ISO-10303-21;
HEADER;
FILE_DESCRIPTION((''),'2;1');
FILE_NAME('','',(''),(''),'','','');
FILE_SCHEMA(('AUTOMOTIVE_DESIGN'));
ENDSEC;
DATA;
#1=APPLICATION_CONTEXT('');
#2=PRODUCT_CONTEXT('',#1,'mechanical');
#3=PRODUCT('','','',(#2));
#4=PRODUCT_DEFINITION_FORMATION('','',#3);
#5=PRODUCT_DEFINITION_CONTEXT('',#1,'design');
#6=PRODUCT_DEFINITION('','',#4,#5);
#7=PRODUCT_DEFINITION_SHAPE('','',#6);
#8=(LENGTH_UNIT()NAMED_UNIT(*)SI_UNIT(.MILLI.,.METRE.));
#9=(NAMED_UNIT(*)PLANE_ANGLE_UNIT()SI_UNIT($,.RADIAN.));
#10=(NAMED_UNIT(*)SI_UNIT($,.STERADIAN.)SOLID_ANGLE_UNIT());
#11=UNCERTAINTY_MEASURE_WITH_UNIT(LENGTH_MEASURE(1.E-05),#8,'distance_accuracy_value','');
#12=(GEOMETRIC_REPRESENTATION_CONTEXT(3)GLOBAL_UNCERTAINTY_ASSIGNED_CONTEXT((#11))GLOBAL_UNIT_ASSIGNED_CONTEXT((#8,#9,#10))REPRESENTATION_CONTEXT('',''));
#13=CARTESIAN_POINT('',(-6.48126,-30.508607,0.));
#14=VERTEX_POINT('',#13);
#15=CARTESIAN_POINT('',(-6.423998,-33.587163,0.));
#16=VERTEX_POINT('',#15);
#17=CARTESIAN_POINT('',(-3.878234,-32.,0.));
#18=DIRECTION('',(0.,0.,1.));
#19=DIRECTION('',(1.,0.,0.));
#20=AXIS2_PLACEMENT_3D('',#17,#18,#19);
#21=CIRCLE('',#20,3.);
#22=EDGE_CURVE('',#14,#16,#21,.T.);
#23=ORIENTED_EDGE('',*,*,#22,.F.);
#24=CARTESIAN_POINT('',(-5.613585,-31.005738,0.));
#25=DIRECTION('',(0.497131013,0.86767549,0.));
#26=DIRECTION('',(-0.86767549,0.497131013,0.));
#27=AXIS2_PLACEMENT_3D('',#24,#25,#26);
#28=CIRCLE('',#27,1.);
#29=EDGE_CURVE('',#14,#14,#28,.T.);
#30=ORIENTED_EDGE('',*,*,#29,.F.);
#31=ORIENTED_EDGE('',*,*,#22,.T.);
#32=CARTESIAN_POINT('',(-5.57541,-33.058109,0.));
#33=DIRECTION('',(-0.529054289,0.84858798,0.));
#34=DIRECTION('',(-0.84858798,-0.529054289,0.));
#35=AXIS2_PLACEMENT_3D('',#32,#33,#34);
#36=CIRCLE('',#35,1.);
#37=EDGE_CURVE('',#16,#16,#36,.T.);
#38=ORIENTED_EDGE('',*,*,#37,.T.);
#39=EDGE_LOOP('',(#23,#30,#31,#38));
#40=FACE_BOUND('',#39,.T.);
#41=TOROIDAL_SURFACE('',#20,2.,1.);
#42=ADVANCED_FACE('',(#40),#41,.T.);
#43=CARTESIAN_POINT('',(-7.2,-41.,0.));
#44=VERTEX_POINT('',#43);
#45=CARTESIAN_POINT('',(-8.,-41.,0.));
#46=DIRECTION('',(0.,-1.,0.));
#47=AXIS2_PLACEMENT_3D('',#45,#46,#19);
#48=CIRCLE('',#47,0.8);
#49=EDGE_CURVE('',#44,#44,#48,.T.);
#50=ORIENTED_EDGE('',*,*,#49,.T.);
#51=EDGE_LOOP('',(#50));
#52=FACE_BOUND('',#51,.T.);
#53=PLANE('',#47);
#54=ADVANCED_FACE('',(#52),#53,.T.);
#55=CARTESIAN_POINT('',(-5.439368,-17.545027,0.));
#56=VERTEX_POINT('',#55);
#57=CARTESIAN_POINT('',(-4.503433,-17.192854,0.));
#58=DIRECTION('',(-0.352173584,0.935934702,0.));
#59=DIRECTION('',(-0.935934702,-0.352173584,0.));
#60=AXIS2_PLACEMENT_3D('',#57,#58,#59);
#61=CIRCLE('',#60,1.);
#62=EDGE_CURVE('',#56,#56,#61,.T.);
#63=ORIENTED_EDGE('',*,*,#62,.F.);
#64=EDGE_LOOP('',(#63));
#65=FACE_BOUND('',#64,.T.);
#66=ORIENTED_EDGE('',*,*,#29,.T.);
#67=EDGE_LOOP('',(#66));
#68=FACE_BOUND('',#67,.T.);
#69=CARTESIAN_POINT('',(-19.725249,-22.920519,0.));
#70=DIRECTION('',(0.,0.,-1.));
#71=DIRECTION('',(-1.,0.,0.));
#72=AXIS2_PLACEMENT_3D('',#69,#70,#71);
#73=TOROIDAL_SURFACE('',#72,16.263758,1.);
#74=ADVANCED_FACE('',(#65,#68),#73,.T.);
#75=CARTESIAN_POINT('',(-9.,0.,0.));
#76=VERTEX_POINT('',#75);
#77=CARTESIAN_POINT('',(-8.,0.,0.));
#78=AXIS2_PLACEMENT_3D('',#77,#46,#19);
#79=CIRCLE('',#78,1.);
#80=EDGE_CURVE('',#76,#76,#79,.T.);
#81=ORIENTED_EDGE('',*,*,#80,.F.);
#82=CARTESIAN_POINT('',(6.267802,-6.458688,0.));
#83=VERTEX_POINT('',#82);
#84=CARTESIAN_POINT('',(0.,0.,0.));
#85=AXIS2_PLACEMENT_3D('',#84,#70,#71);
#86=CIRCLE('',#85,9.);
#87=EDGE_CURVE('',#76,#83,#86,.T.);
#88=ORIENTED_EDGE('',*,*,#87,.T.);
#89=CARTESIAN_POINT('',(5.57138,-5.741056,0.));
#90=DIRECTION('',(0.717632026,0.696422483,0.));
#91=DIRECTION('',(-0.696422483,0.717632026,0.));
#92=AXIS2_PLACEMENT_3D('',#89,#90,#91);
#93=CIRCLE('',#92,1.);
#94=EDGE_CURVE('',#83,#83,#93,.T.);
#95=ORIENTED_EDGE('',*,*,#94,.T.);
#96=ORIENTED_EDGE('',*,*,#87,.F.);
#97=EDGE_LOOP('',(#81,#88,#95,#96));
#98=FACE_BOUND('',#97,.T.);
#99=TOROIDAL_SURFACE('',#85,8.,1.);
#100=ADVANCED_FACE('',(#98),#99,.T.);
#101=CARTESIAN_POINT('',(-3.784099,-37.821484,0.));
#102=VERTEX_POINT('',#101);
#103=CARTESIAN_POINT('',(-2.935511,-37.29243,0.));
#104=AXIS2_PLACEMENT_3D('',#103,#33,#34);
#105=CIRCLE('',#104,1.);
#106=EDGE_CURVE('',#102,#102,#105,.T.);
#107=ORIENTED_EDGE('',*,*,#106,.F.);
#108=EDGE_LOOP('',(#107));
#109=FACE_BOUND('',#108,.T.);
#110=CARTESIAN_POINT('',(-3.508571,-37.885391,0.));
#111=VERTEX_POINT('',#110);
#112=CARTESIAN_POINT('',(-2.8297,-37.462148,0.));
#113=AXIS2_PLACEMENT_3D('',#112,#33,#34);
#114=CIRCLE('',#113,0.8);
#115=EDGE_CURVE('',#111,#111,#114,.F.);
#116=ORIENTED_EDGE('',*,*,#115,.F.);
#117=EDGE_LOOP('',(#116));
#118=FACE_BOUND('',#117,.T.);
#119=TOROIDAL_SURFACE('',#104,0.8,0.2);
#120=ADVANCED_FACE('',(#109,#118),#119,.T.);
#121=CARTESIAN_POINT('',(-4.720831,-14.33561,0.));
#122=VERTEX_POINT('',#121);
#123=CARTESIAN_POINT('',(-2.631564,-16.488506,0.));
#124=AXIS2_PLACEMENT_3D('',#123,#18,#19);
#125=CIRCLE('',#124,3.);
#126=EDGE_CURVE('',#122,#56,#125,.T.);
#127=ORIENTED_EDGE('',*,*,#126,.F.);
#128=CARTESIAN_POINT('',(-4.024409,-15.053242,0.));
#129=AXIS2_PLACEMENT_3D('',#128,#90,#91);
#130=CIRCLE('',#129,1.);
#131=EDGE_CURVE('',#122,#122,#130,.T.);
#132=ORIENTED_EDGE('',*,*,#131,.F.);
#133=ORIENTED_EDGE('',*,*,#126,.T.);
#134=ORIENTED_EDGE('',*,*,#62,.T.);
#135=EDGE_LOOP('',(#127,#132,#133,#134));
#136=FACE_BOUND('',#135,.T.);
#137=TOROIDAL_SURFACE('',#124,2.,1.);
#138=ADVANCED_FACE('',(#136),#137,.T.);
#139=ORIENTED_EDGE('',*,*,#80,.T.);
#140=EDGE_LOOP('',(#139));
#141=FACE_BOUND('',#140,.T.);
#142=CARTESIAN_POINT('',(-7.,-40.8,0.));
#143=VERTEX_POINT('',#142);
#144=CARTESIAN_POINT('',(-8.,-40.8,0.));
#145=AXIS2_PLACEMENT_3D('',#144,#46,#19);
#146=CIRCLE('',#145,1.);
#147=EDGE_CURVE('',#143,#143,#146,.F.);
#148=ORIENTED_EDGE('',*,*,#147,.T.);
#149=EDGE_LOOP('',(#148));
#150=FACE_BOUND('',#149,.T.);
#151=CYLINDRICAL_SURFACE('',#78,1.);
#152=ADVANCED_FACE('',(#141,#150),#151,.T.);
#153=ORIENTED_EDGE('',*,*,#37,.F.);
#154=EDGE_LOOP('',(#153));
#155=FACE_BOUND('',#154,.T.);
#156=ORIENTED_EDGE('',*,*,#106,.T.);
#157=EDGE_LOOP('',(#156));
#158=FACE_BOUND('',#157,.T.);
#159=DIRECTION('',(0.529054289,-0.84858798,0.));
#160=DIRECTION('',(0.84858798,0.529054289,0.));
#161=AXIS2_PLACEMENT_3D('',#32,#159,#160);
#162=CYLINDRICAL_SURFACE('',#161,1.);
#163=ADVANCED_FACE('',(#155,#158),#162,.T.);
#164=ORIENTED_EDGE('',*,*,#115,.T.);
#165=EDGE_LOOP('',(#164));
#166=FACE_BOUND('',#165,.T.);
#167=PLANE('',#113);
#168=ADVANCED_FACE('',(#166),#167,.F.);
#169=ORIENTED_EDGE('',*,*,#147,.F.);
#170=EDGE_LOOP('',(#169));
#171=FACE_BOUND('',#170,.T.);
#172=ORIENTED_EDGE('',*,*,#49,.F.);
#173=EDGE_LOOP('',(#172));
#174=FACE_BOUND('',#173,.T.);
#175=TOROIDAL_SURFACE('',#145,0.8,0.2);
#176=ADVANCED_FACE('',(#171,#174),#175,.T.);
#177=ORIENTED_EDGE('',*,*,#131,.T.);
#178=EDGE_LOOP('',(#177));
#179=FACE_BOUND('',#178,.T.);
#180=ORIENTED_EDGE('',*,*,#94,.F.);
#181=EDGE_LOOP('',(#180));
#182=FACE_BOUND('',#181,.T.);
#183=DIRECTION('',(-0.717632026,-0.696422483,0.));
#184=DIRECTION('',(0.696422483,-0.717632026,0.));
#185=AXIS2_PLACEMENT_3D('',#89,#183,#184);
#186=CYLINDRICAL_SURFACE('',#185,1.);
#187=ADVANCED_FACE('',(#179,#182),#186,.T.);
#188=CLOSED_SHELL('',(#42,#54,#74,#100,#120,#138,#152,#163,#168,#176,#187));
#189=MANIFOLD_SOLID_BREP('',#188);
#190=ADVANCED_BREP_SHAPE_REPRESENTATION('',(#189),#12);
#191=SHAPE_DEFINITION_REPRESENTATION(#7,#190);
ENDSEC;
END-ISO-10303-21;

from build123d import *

# Parameters (mm, degrees)
SKETCH_2_R = 1
FILLET_1_R = 0.2


with BuildPart() as part:
    # По траектории1: sweep along a path in Эскиз1
    with BuildLine(Plane.XY) as sweep_1_path:
        Line((-8, -41), (-8, 0))
        ThreePointArc((-8, 0), (3.116806143, 7.367870755), (5.571379866, -5.741056208))
        Line((5.571379866, -5.741056208), (-4.024408845, -15.053242344))
        ThreePointArc((-4.024408845, -15.053242344), (-4.583248798, -16.051555626), (-4.503433283, -17.192853565))
        ThreePointArc((-4.503433283, -17.192853565), (-3.513765144, -24.223447922), (-5.613584589, -31.005737973))
        ThreePointArc((-5.613584589, -31.005737973), (-5.877887723, -32.037194469), (-5.57540957, -33.058108577))
        Line((-5.57540957, -33.058108577), (-2.829700409, -37.462147711))
    # Эскиз2 → По траектории1 (sweep)
    with BuildSketch(Plane(origin=(-8, -41, 0), x_dir=(-1, 0, 0), z_dir=(0, -1, 0))):
        Circle(SKETCH_2_R)
    sweep(path=sweep_1_path.line)

    # Скругление1
    fillet_1_edges = [part.edges().sort_by_distance(p)[0] for p in [
        (-7, -41, 0),
        (-3.678288389, -37.991202, 0),
    ]]
    fillet(fillet_1_edges, radius=FILLET_1_R)


solid = part.part
